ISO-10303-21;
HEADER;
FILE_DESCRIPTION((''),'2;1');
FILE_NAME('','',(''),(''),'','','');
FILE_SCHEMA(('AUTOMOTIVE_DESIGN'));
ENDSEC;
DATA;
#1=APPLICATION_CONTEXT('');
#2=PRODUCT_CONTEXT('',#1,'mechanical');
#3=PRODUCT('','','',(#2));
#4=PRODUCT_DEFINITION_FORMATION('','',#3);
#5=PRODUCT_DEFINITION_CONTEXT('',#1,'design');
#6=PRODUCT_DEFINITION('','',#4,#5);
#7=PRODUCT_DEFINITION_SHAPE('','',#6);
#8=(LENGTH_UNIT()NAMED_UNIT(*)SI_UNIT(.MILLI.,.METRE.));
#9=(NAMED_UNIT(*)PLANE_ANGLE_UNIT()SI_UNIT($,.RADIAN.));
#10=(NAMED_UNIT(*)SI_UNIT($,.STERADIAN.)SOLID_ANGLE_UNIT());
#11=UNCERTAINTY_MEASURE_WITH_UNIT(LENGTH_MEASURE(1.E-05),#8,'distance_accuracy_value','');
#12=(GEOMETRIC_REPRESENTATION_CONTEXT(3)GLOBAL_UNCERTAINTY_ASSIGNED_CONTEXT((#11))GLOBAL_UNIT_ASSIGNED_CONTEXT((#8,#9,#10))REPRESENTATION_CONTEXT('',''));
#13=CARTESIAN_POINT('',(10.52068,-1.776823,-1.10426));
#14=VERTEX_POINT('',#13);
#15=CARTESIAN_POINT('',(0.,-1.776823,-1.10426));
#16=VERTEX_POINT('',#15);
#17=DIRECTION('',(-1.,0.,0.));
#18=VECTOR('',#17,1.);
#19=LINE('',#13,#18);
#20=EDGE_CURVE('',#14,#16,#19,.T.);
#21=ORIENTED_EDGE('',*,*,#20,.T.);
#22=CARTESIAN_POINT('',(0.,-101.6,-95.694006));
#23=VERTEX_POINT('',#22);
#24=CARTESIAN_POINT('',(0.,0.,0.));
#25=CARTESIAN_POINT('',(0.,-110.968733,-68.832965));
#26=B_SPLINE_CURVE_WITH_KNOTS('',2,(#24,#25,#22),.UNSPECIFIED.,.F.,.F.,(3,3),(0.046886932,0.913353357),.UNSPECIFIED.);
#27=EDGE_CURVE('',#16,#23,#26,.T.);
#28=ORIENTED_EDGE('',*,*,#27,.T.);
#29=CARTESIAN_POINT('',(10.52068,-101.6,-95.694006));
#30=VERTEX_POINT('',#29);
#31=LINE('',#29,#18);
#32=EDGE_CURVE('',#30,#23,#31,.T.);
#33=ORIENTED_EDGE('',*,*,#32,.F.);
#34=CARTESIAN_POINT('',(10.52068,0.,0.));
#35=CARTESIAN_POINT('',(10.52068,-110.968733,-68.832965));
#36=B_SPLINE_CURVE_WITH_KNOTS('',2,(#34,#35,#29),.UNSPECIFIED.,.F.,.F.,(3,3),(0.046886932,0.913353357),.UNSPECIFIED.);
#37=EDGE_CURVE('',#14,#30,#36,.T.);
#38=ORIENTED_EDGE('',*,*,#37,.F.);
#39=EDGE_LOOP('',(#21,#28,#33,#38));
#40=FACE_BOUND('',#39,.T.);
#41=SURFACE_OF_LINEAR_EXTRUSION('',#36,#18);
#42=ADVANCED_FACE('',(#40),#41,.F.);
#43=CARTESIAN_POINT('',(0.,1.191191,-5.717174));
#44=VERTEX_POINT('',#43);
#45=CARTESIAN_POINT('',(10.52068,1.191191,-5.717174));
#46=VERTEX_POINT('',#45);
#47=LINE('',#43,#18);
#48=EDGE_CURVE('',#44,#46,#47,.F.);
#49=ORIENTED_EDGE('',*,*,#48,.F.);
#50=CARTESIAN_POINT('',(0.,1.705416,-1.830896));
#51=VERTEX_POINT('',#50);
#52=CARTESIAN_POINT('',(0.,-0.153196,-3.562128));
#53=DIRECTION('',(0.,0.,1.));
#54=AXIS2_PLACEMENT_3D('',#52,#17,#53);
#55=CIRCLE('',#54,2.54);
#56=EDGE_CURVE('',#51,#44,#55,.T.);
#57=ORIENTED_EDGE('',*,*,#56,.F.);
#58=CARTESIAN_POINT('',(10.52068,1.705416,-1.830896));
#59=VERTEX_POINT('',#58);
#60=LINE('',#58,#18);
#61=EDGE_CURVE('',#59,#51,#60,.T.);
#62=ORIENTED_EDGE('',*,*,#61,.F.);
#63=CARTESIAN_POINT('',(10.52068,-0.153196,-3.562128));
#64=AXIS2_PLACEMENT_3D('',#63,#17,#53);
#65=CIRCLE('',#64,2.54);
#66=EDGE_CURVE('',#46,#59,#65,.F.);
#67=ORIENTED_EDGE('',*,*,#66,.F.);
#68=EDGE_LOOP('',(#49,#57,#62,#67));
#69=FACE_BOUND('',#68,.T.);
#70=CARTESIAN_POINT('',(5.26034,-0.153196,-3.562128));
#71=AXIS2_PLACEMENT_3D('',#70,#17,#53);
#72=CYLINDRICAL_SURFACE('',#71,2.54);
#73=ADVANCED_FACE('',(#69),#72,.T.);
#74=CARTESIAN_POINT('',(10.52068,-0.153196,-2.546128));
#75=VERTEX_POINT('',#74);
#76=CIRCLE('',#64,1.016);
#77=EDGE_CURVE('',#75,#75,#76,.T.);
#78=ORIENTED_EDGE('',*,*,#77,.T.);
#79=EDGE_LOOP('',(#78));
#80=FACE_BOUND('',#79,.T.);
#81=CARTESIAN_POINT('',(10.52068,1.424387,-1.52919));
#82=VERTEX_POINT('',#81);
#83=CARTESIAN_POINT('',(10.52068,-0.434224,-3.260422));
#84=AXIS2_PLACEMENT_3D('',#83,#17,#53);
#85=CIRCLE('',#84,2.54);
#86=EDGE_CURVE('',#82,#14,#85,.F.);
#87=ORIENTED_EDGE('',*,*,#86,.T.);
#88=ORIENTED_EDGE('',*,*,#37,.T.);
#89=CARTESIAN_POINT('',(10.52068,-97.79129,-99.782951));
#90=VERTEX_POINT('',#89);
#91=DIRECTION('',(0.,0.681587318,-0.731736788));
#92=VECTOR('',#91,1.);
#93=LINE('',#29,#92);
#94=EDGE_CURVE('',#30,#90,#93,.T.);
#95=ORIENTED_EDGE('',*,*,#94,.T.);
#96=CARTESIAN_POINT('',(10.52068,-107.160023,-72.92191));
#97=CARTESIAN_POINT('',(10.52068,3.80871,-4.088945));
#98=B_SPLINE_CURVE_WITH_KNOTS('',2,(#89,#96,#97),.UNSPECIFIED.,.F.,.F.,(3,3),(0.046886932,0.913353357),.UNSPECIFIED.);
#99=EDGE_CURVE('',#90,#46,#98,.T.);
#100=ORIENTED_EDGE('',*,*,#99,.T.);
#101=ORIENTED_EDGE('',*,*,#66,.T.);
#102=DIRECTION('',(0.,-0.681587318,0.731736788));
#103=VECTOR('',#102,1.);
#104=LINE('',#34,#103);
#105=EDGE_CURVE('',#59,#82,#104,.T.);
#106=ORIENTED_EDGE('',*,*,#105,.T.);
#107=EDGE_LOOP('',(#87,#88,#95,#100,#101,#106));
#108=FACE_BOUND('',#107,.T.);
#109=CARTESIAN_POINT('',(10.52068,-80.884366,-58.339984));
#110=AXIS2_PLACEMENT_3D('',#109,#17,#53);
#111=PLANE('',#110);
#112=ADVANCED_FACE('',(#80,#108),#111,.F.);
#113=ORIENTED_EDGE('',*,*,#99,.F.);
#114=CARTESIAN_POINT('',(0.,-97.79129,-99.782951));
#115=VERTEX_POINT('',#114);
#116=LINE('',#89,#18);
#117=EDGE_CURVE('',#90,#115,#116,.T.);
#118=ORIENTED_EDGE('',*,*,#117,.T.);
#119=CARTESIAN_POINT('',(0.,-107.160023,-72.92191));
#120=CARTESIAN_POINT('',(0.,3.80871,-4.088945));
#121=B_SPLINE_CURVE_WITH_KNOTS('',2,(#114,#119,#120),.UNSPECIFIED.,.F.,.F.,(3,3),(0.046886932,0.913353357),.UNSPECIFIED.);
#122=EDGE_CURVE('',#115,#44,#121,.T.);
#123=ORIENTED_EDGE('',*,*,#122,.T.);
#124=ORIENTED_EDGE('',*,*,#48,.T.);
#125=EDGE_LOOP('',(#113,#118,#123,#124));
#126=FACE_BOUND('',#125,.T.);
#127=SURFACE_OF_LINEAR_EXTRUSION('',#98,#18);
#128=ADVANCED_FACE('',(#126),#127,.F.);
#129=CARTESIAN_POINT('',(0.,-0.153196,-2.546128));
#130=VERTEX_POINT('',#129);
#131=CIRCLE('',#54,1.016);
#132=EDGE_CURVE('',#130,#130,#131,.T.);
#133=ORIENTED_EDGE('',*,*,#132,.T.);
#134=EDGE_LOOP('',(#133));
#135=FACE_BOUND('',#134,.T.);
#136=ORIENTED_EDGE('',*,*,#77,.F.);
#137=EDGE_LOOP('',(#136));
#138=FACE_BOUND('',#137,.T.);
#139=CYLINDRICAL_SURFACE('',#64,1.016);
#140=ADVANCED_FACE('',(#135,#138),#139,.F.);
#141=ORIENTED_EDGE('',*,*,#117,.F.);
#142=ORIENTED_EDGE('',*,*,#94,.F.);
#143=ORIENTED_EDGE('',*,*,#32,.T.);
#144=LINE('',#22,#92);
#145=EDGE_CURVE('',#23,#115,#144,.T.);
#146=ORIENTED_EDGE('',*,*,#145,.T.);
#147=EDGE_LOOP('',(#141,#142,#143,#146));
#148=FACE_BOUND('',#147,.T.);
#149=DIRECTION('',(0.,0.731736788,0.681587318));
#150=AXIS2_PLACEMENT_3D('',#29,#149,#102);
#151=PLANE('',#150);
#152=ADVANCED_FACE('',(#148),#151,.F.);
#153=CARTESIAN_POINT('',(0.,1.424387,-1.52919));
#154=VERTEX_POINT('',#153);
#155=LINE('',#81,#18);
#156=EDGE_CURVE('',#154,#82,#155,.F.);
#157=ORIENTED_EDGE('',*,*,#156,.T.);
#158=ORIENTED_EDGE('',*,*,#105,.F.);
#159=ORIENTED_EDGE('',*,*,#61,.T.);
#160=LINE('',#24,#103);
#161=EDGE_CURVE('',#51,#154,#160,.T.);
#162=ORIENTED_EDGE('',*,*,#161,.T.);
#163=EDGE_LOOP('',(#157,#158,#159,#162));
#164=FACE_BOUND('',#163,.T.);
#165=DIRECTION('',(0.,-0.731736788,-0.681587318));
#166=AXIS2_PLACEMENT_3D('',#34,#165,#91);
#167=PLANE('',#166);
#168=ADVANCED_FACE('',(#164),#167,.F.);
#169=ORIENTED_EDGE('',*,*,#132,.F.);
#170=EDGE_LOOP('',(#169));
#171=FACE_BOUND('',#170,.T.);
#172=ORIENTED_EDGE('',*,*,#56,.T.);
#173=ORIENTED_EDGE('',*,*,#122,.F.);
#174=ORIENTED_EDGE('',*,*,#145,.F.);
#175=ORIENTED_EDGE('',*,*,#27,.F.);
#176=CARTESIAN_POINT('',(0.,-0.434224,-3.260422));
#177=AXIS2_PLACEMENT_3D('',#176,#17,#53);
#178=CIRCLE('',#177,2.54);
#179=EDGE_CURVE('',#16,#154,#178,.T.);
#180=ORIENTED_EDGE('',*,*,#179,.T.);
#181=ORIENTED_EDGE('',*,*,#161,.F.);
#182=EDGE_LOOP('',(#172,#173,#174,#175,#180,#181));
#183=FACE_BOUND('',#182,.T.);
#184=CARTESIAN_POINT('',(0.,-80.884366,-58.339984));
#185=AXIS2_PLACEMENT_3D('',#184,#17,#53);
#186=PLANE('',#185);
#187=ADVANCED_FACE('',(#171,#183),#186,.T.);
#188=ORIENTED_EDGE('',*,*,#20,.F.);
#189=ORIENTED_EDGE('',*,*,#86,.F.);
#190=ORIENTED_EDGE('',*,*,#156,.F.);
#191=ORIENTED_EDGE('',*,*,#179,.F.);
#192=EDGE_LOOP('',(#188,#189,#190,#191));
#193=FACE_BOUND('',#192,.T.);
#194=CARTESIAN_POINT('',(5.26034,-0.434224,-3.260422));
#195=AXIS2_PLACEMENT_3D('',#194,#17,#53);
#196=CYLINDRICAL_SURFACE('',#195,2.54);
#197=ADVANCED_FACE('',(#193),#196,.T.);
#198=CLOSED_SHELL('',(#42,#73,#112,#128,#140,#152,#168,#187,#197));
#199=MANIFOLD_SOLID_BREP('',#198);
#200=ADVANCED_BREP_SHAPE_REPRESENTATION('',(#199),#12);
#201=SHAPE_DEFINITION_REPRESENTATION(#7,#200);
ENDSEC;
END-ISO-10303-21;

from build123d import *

# Parameters (mm, degrees)
BOSS_EXTRUDE1_DEPTH = 10.52068
FILLET1_R           = 2.54
SKETCH5_R           = 1.016
CUT_EXTRUDE2_DEPTH  = 10.52068


with BuildPart() as part:
    # Sketch3 → Boss-Extrude1 (new body)
    with BuildSketch(Plane(origin=(0, 0, 0), x_dir=(0, 0, -1), z_dir=(1, 0, 0))):
        with BuildLine():
            Line((0, 0), (4.088945173, 3.808709935))
            add(Edge.make_bspline(
                [(4.088945173, 3.808709935), (72.921909903, -107.160022937), (99.782951364, -97.791290065)],
                knots=[0.046886932, 0.046886932, 0.046886932, 0.913353357, 0.913353357, 0.913353357], degree=2))
            Line((99.782951364, -97.791290065), (95.69400619, -101.6))
            add(Edge.make_bspline(
                [(0, 0), (68.832964729, -110.968732872), (95.69400619, -101.6)],
                knots=[0.046886932, 0.046886932, 0.046886932, 0.913353357, 0.913353357, 0.913353357], degree=2))
        make_face()
    extrude(amount=BOSS_EXTRUDE1_DEPTH)

    # Fillet1
    fillet1_edges = [part.edges().sort_by_distance(p)[0] for p in [
        (5.26034, 0, 0),
        (5.26034, 3.808709935, -4.088945173),
    ]]
    fillet(fillet1_edges, radius=FILLET1_R)

    # Sketch5 → Cut-Extrude2 (cut)
    with BuildSketch(Plane.ZY):
        with Locations((-3.562127534, -0.15319586)):
            Circle(SKETCH5_R)
    extrude(amount=-CUT_EXTRUDE2_DEPTH, mode=Mode.SUBTRACT)


solid = part.part
